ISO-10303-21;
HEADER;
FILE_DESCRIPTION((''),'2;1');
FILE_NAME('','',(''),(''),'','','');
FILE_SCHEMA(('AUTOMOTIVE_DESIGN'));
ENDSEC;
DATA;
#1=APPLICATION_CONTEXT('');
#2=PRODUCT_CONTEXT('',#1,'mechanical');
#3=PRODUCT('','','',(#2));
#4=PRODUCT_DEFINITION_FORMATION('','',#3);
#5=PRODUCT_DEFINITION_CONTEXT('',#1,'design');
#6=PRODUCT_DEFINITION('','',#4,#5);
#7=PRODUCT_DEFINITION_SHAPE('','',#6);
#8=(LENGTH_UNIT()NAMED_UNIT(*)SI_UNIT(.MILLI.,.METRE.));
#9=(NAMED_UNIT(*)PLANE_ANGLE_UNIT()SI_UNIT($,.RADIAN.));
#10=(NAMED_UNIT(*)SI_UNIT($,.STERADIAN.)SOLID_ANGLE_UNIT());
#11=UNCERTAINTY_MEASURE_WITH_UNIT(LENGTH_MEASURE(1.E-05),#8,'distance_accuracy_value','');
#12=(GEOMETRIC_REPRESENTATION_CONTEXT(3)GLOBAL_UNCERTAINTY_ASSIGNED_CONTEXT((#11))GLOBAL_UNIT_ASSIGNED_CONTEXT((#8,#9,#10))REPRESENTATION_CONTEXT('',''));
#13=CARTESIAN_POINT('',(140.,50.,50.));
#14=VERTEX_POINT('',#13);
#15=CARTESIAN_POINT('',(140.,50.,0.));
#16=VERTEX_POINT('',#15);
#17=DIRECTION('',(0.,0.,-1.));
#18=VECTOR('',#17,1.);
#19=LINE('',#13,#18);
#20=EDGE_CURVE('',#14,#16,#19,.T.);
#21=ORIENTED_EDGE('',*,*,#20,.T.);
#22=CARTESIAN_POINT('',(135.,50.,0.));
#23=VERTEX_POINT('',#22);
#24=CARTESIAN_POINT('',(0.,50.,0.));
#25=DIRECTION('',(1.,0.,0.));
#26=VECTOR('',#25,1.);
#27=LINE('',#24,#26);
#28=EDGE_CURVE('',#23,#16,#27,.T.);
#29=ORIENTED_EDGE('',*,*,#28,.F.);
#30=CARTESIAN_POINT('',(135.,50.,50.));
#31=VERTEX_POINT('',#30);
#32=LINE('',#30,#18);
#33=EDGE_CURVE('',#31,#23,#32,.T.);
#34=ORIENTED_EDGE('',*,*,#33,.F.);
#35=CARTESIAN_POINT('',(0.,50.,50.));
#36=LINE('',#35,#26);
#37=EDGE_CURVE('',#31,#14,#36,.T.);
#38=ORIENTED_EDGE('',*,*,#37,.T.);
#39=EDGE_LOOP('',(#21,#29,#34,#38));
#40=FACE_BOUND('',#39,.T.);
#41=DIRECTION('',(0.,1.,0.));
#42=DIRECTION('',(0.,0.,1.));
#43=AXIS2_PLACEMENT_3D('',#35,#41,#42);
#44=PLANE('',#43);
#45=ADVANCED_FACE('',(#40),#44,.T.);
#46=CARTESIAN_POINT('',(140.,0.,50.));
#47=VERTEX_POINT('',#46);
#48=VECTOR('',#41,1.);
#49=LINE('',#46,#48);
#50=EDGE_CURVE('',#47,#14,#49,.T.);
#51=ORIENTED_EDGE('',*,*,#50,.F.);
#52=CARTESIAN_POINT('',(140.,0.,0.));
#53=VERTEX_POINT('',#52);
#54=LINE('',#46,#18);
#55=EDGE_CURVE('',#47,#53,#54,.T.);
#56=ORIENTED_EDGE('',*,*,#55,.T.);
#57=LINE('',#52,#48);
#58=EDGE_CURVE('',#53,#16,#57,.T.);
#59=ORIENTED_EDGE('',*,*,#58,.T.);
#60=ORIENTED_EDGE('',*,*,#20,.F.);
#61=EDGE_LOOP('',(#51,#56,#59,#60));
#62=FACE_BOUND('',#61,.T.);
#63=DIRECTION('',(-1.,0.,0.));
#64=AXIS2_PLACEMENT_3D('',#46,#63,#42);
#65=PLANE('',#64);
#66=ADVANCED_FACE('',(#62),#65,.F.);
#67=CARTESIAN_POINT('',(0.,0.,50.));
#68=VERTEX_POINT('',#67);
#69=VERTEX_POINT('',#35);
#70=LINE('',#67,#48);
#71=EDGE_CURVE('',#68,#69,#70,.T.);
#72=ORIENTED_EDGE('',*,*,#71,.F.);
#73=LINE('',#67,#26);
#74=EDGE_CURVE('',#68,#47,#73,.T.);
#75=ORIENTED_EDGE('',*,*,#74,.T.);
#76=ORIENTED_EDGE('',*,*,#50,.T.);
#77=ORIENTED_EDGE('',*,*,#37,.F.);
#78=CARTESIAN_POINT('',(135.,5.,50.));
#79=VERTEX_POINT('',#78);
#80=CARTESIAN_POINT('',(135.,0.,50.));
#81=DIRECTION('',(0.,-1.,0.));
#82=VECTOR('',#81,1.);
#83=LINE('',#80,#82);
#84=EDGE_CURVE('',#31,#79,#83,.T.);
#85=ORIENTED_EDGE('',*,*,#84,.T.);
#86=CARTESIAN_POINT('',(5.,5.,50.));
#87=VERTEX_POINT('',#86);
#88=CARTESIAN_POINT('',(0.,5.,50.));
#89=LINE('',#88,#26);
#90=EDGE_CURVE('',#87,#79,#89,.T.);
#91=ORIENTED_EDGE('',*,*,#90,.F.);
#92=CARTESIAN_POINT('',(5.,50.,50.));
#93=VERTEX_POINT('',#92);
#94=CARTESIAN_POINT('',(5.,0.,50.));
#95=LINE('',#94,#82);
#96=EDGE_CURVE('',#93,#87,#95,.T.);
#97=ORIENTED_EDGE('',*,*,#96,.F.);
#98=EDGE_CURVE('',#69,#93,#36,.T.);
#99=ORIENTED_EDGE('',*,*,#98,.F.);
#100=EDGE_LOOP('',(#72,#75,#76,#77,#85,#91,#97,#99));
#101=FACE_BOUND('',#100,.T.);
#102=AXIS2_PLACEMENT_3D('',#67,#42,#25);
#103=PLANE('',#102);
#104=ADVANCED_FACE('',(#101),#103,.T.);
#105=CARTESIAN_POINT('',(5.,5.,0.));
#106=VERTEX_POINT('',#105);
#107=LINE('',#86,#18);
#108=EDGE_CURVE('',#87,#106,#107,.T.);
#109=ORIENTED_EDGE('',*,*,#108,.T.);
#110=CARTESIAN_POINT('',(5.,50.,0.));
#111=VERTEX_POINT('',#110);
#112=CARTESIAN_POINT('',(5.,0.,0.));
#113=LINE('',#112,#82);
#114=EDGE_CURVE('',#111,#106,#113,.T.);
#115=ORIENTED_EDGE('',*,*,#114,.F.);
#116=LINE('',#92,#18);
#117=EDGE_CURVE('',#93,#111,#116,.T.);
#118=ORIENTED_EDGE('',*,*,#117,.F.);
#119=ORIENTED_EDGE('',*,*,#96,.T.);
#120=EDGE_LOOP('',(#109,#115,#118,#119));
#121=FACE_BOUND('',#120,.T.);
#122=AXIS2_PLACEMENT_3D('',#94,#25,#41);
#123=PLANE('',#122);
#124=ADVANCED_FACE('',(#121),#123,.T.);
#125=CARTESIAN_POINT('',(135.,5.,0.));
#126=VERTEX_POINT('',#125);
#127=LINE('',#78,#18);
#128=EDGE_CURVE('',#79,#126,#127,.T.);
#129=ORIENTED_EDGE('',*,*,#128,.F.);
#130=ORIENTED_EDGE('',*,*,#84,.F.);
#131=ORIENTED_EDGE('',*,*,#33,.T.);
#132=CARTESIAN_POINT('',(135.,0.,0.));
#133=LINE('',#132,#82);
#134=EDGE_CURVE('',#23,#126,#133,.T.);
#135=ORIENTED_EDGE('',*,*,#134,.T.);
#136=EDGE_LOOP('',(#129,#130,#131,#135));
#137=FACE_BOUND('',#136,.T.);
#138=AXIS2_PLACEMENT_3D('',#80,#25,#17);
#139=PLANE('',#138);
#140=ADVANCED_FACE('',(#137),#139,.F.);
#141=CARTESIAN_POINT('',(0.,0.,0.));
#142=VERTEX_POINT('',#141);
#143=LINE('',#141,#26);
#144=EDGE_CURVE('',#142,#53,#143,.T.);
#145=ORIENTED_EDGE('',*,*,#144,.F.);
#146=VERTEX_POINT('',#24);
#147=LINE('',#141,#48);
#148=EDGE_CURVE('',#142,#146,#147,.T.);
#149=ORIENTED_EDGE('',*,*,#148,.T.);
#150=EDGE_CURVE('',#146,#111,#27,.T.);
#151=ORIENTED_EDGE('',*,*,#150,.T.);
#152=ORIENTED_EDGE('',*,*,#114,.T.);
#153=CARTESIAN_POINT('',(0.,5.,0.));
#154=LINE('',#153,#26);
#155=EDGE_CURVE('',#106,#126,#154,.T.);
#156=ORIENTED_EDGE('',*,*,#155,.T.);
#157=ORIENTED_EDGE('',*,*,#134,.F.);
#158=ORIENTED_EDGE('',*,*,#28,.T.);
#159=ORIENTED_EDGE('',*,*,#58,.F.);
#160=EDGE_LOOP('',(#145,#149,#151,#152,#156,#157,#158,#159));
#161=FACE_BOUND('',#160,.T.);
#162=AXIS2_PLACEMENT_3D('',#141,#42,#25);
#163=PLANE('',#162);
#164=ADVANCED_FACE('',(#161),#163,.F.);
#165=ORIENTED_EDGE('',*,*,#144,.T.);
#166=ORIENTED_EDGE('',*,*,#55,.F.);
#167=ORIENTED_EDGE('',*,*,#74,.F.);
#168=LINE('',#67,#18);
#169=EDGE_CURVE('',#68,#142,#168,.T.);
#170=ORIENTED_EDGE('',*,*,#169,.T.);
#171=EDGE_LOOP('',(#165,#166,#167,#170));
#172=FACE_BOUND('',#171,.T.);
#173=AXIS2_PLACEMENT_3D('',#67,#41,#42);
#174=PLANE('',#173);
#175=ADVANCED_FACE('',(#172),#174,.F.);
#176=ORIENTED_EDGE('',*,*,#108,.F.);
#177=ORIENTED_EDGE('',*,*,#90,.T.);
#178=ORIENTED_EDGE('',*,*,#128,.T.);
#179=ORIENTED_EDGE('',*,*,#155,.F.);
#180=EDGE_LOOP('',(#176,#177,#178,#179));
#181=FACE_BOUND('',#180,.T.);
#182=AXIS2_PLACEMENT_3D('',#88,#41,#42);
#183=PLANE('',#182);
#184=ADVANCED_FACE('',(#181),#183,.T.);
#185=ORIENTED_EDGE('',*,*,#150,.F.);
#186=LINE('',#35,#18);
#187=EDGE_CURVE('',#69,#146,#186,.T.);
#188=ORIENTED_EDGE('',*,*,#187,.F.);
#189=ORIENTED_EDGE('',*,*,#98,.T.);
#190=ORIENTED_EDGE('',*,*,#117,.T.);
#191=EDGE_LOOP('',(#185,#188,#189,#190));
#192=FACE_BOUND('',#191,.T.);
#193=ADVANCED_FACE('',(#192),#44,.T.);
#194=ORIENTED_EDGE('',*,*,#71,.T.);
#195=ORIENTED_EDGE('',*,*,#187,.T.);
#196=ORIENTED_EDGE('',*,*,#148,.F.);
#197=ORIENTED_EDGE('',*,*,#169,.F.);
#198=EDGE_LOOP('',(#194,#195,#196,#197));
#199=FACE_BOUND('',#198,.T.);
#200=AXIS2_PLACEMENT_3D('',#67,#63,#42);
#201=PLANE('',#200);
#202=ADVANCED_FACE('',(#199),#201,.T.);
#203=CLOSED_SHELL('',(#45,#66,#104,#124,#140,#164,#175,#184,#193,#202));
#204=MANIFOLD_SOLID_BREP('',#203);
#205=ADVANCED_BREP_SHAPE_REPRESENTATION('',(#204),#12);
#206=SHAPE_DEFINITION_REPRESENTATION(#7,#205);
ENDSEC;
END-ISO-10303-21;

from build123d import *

# Parameters (mm, degrees)
RESSALTO_EXTRUS_O1_DEPTH = 50


with BuildPart() as part:
    # Esboço1 → Ressalto-extrusão1 (new body)
    with BuildSketch(Plane.XY):
        Polygon((0, 50), (0, 0), (140, 0), (140, 50), (135, 50), (135, 5), (5, 5), (5, 50), align=None)
    extrude(amount=RESSALTO_EXTRUS_O1_DEPTH)


solid = part.part
